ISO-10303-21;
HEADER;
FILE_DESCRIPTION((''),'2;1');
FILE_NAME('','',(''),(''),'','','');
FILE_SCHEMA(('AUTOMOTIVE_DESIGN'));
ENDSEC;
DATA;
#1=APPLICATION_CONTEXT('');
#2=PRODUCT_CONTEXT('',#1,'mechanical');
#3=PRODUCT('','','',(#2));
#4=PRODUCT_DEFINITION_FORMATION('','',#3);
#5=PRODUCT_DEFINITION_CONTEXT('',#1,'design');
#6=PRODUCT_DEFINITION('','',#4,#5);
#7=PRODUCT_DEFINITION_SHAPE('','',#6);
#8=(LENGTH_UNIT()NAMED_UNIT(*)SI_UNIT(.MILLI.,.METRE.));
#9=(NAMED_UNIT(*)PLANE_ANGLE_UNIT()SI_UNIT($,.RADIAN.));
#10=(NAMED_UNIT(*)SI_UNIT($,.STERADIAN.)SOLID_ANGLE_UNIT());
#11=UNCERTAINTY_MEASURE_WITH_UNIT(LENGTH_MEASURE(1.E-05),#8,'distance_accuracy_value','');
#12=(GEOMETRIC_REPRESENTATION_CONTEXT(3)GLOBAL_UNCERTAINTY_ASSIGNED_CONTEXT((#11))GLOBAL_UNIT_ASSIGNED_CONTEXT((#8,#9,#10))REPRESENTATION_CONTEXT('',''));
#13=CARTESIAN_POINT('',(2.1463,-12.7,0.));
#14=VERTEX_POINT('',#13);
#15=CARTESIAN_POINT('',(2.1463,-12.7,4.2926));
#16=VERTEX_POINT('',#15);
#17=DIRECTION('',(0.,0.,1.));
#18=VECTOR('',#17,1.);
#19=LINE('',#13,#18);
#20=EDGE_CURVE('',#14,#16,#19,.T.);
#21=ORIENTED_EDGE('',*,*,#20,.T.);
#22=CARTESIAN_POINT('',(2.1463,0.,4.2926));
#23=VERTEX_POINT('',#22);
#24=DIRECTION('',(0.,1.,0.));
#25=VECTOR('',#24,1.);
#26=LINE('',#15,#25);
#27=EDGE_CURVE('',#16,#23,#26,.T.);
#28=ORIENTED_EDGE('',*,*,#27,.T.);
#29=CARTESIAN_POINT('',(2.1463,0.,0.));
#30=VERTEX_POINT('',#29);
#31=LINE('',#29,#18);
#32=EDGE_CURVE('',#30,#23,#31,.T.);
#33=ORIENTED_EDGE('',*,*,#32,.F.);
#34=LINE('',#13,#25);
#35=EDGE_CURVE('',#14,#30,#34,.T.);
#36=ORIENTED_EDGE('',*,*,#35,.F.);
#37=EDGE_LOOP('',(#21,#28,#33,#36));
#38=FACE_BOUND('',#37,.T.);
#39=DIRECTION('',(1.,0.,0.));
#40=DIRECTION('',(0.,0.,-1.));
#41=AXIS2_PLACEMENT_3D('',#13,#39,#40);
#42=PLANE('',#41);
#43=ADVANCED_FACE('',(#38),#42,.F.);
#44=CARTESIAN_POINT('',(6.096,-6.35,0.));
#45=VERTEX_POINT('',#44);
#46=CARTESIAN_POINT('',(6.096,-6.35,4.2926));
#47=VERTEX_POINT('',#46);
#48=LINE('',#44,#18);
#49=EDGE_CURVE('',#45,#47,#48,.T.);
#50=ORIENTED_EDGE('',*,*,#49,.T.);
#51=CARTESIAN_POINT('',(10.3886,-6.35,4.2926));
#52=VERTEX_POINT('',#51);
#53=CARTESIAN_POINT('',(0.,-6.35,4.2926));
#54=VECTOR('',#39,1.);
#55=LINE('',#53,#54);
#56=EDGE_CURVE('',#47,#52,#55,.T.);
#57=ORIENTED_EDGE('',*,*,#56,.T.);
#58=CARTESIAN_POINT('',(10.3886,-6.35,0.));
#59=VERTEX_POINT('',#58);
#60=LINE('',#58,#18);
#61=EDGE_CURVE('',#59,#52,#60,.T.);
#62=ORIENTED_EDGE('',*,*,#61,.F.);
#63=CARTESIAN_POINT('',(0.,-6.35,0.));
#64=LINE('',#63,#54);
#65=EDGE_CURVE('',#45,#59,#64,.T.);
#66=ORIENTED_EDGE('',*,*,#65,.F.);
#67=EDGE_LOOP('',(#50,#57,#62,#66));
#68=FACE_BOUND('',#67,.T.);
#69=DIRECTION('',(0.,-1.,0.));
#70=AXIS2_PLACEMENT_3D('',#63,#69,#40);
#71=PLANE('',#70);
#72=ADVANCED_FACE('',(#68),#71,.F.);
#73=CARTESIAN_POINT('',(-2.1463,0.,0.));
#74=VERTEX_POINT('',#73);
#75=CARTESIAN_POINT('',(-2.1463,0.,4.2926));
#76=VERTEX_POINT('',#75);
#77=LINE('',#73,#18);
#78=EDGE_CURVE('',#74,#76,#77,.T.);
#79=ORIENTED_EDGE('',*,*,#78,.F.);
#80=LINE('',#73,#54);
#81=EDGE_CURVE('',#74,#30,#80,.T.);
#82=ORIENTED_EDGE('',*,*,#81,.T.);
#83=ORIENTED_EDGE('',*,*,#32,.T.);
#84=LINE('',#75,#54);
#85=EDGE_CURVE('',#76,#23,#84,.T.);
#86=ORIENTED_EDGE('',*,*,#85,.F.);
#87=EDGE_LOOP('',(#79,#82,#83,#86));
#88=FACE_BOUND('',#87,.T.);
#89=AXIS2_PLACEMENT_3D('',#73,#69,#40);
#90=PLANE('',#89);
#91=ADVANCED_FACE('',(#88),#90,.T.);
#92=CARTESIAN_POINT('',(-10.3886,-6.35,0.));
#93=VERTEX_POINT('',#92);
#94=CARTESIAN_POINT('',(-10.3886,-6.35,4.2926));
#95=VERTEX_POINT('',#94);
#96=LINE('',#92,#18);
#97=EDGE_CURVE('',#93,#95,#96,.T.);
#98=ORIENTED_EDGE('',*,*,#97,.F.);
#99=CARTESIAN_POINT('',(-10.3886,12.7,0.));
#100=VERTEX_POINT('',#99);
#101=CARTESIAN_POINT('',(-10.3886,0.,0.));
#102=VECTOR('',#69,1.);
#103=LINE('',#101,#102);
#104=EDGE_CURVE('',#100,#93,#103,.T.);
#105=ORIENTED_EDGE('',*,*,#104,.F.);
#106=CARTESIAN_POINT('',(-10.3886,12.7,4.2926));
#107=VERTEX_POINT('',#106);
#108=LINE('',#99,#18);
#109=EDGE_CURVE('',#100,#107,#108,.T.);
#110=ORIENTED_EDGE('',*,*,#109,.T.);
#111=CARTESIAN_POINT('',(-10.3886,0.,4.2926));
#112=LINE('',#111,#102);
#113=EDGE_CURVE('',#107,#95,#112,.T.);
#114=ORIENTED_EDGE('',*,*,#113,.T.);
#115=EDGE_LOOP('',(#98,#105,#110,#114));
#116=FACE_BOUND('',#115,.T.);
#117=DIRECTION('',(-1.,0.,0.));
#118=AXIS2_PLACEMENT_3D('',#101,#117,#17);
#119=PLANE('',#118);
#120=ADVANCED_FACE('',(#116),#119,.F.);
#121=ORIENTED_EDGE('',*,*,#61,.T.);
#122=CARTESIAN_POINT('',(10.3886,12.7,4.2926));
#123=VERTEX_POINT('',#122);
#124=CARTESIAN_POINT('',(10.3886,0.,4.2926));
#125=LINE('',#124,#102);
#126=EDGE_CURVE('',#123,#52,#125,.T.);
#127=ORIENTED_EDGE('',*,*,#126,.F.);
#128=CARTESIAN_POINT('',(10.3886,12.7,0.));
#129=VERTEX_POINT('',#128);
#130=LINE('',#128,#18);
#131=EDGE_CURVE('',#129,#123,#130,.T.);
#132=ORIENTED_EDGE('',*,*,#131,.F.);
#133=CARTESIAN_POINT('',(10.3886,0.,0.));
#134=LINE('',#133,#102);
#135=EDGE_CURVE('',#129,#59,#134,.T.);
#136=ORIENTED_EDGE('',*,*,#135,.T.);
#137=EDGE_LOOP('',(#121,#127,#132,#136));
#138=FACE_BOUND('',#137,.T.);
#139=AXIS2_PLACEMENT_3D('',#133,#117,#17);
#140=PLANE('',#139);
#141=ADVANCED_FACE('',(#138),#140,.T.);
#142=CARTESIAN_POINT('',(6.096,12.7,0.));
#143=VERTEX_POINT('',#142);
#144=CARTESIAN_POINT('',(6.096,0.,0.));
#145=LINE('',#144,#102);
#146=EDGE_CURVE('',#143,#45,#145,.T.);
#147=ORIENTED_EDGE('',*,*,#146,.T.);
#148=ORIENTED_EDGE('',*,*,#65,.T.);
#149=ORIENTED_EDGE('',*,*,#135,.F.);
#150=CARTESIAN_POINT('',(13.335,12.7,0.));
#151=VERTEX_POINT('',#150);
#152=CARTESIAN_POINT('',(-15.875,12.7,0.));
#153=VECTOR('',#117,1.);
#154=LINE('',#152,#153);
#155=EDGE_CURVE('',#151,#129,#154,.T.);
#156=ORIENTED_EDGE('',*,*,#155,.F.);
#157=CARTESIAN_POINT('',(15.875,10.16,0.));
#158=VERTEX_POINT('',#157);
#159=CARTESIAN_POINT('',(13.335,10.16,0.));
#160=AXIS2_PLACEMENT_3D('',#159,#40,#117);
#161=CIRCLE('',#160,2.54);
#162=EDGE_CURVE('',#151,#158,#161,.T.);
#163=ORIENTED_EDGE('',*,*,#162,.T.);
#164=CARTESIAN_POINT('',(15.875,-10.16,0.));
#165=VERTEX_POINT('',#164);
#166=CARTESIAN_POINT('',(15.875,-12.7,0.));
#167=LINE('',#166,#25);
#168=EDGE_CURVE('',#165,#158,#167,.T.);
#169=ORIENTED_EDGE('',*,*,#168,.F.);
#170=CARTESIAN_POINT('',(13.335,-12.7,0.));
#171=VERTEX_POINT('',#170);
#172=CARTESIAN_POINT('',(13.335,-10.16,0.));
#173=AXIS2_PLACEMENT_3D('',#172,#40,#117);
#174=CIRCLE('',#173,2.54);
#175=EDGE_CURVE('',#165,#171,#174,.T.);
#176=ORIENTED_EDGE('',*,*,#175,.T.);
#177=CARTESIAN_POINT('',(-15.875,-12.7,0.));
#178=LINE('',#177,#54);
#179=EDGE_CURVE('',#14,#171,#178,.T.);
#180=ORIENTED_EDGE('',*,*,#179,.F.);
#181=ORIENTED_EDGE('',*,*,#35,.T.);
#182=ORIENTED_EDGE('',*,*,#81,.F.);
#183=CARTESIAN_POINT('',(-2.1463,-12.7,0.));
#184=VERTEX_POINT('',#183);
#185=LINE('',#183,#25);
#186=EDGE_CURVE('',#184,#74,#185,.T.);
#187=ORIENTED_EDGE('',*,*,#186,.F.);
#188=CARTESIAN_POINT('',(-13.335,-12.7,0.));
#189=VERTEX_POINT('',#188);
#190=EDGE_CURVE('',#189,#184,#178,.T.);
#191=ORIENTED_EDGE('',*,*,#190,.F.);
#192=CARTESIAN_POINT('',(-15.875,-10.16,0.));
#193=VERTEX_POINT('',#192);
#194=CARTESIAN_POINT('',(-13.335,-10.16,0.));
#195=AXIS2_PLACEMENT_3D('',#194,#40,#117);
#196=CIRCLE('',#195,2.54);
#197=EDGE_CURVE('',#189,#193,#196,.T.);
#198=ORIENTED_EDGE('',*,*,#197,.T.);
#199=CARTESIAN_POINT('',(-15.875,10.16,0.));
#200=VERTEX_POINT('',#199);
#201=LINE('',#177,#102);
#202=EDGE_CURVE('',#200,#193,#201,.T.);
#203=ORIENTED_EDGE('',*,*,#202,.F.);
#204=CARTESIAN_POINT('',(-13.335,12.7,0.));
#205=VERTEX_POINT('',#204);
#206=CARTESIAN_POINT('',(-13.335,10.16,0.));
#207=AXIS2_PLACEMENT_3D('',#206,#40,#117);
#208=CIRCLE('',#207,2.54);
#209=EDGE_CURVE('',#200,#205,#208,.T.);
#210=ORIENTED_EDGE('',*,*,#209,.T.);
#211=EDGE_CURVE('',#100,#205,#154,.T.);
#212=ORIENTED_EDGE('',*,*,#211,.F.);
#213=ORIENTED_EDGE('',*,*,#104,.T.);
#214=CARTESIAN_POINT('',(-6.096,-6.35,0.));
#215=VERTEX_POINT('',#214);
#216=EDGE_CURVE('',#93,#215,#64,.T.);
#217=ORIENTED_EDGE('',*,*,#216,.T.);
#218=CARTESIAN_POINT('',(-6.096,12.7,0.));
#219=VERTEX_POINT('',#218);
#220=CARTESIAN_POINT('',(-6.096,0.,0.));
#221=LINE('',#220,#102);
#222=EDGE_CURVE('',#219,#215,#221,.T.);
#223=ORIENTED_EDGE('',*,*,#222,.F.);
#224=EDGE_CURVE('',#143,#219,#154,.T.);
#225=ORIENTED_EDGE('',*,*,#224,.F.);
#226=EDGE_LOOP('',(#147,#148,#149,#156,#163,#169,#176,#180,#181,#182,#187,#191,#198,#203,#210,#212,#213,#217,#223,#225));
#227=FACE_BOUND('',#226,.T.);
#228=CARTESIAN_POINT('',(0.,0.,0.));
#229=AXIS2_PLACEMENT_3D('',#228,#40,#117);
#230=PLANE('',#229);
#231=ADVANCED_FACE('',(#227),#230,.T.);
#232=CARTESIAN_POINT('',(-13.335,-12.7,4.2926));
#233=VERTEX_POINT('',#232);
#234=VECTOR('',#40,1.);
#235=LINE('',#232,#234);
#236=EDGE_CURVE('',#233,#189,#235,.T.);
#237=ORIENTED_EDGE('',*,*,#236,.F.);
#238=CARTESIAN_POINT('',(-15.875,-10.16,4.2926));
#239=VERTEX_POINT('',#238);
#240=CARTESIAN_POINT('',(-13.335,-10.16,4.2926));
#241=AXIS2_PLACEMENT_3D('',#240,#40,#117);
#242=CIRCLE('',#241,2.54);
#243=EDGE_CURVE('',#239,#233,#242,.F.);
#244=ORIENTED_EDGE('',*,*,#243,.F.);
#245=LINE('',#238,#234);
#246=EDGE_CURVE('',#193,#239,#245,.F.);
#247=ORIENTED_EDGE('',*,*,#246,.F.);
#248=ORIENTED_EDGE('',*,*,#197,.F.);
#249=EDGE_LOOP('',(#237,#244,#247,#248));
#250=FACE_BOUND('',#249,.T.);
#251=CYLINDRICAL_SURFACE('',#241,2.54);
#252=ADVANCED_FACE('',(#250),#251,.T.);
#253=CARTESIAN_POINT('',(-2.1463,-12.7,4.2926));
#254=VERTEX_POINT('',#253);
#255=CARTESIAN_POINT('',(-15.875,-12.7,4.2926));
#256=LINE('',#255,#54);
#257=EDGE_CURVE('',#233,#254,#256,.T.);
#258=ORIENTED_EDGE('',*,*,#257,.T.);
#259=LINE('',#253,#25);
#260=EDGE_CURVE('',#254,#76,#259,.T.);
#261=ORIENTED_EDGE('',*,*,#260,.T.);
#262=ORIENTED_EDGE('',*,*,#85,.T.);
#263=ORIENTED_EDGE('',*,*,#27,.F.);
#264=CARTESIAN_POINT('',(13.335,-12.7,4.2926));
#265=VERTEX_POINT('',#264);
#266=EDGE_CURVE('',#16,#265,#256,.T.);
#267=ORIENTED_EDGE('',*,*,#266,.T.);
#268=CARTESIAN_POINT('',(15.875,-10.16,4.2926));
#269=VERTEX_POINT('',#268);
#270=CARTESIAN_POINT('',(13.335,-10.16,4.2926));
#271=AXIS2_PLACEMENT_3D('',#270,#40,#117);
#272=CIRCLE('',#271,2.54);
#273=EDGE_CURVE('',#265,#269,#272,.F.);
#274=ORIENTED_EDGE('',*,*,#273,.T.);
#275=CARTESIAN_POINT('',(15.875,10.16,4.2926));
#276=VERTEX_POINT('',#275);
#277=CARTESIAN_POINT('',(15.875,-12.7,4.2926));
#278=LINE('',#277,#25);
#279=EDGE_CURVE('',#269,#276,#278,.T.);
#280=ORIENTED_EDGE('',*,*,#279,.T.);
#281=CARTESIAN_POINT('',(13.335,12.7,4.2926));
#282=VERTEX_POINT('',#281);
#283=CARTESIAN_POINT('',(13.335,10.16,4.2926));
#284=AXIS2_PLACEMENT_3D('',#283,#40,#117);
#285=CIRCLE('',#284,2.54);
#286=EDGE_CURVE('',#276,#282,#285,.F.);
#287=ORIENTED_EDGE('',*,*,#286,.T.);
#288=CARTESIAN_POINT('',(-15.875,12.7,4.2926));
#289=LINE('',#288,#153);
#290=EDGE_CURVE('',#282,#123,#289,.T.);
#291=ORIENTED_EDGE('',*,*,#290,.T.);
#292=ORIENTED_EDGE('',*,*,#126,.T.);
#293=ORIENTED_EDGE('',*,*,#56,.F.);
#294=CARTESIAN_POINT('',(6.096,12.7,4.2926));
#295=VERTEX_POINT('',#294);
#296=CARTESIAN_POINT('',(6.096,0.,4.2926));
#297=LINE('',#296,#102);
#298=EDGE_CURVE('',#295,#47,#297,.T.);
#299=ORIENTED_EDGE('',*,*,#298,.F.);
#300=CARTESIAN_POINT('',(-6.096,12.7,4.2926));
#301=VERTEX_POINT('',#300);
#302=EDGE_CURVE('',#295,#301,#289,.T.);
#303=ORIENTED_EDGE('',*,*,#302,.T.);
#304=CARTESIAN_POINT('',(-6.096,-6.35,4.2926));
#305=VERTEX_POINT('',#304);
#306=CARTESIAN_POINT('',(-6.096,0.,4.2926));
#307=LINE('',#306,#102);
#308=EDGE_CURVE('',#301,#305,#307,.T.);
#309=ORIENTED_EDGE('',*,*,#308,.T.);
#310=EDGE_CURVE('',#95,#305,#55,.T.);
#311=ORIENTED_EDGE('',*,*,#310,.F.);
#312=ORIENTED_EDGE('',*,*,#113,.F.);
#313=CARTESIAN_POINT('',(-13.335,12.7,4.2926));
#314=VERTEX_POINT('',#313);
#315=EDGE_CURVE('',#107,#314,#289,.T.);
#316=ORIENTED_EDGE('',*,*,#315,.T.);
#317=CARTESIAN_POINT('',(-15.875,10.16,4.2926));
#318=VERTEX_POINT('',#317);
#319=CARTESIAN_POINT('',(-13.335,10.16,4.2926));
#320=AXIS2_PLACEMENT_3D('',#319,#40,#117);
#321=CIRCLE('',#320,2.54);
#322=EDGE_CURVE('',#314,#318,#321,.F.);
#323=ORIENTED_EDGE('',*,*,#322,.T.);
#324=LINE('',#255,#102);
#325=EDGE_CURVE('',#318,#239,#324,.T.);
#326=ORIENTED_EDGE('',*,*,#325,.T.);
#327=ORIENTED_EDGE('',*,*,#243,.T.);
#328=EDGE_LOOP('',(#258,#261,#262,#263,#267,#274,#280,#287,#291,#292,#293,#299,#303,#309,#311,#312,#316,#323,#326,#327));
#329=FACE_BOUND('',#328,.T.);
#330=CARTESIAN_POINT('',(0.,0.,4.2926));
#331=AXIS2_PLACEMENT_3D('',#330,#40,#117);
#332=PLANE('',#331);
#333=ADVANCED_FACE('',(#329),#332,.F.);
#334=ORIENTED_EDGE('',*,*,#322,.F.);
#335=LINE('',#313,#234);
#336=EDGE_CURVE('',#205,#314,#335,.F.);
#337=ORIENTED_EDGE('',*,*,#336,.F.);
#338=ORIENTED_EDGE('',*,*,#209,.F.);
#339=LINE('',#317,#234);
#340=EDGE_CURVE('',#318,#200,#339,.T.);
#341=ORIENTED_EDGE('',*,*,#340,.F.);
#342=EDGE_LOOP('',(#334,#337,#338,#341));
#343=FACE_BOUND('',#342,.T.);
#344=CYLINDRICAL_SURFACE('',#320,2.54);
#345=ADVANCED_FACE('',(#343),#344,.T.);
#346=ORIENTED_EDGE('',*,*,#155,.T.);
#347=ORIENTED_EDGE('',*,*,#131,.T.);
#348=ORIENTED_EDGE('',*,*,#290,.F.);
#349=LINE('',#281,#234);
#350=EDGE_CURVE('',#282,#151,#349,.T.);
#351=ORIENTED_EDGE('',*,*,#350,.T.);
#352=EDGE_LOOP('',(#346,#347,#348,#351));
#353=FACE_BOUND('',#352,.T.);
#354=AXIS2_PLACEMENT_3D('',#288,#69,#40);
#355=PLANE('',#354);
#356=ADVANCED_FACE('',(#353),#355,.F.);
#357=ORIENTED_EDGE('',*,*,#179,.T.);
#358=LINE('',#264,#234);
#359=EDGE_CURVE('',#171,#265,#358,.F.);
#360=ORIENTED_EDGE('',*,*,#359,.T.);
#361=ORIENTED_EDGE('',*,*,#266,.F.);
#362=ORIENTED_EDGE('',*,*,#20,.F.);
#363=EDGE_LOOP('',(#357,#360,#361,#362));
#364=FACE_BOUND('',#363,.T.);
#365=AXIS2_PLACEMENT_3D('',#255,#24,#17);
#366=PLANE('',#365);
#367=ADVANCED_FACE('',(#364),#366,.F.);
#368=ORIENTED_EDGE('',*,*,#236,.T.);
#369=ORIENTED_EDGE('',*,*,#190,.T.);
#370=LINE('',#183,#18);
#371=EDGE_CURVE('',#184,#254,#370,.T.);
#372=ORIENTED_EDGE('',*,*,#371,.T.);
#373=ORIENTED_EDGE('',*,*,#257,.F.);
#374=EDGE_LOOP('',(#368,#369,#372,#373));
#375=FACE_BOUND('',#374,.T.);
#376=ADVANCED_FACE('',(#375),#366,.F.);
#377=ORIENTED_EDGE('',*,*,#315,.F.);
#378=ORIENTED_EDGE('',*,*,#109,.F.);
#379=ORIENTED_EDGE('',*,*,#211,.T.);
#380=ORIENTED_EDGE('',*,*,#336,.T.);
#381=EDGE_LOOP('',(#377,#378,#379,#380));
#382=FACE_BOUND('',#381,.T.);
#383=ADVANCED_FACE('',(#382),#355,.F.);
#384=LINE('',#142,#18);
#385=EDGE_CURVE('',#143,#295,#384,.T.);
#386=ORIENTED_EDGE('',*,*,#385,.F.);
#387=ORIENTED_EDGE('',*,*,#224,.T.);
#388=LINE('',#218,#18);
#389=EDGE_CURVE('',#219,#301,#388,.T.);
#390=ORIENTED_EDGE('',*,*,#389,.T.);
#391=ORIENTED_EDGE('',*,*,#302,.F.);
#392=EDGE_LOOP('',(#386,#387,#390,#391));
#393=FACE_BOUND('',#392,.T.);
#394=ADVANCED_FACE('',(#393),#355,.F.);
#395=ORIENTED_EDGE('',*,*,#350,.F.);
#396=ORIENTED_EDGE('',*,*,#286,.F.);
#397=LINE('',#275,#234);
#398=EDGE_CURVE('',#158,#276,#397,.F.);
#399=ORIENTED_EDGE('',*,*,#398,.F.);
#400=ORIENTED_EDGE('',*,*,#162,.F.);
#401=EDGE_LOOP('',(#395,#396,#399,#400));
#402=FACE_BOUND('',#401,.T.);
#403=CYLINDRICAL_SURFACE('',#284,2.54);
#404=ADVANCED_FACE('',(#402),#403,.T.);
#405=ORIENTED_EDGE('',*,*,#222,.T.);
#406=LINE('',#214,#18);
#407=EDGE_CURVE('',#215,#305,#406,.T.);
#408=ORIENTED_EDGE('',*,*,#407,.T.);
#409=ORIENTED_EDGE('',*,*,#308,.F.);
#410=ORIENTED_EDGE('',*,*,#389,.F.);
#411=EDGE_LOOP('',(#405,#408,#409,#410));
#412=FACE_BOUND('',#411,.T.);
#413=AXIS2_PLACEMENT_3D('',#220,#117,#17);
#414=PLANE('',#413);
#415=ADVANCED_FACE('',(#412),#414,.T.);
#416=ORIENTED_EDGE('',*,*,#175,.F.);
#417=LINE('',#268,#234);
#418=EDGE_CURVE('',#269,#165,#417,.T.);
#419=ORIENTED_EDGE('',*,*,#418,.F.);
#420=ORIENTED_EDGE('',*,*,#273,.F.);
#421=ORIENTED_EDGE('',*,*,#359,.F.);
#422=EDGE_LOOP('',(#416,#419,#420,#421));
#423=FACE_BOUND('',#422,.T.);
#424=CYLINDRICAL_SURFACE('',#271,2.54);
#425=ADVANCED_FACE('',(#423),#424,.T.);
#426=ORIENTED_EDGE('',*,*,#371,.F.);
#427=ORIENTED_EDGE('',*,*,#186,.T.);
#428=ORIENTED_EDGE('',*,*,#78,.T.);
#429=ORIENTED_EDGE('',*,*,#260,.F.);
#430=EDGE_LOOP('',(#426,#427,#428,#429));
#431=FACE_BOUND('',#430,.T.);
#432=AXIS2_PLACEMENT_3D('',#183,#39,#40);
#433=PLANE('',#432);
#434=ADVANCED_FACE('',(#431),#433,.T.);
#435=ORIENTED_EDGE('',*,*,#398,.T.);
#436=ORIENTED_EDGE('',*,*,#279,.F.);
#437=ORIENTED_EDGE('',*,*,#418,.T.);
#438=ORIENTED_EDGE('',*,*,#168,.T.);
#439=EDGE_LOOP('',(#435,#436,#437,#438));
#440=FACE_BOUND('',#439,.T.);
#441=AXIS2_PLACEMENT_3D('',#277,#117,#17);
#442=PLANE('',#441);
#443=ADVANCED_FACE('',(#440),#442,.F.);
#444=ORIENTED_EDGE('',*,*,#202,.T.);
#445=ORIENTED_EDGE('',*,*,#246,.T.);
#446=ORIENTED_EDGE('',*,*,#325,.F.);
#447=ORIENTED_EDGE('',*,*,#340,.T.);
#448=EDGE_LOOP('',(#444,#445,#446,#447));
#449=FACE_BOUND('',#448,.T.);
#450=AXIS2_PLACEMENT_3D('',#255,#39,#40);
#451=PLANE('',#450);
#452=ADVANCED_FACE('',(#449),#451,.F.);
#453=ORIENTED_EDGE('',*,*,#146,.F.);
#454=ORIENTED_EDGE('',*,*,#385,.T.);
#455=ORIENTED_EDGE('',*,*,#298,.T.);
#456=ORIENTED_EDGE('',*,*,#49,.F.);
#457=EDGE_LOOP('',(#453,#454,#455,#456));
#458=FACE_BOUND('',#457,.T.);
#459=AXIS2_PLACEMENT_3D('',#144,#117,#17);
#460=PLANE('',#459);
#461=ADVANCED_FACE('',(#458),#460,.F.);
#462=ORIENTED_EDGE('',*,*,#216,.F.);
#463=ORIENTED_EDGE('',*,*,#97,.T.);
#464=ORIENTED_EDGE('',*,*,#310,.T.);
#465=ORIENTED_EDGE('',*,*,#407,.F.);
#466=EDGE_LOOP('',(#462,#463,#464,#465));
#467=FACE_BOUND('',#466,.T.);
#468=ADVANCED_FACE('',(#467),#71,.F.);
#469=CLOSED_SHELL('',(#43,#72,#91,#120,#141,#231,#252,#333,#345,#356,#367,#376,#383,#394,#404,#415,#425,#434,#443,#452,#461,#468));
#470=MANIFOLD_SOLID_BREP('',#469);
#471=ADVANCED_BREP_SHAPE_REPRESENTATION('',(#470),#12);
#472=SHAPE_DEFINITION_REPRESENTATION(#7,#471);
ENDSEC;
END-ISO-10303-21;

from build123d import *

# Parameters (mm, degrees)
SKETCH1_W           = 31.75
SKETCH1_H           = 25.4
BOSS_EXTRUDE1_DEPTH = 4.2926
FILLET1_R           = 2.54
SKETCH2_W           = 4.2926
SKETCH2_H           = 19.05
SKETCH2_H_2         = 12.7
CUT_EXTRUDE2_DEPTH  = 4.2926


with BuildPart() as part:
    # Sketch1 → Boss-Extrude1 (new body)
    with BuildSketch(Plane.XY):
        Rectangle(SKETCH1_W, SKETCH1_H)
    extrude(amount=BOSS_EXTRUDE1_DEPTH)

    # Fillet1
    fillet1_edges = [part.edges().sort_by_distance(p)[0] for p in [
        (15.875, -12.7, 2.1463),
        (-15.875, -12.7, 2.1463),
        (-15.875, 12.7, 2.1463),
        (15.875, 12.7, 2.1463),
    ]]
    fillet(fillet1_edges, radius=FILLET1_R)

    # Sketch2 → Cut-Extrude2 (cut)
    with BuildSketch(Plane.XY.offset(4.2926)):
        with Locations((-8.2423, 3.175)):
            Rectangle(SKETCH2_W, SKETCH2_H)
        with Locations((8.2423, 3.175)):
            Rectangle(SKETCH2_W, SKETCH2_H)
        with Locations((0, -6.35)):
            Rectangle(SKETCH2_W, SKETCH2_H_2)
    extrude(amount=-CUT_EXTRUDE2_DEPTH, mode=Mode.SUBTRACT)


solid = part.part
